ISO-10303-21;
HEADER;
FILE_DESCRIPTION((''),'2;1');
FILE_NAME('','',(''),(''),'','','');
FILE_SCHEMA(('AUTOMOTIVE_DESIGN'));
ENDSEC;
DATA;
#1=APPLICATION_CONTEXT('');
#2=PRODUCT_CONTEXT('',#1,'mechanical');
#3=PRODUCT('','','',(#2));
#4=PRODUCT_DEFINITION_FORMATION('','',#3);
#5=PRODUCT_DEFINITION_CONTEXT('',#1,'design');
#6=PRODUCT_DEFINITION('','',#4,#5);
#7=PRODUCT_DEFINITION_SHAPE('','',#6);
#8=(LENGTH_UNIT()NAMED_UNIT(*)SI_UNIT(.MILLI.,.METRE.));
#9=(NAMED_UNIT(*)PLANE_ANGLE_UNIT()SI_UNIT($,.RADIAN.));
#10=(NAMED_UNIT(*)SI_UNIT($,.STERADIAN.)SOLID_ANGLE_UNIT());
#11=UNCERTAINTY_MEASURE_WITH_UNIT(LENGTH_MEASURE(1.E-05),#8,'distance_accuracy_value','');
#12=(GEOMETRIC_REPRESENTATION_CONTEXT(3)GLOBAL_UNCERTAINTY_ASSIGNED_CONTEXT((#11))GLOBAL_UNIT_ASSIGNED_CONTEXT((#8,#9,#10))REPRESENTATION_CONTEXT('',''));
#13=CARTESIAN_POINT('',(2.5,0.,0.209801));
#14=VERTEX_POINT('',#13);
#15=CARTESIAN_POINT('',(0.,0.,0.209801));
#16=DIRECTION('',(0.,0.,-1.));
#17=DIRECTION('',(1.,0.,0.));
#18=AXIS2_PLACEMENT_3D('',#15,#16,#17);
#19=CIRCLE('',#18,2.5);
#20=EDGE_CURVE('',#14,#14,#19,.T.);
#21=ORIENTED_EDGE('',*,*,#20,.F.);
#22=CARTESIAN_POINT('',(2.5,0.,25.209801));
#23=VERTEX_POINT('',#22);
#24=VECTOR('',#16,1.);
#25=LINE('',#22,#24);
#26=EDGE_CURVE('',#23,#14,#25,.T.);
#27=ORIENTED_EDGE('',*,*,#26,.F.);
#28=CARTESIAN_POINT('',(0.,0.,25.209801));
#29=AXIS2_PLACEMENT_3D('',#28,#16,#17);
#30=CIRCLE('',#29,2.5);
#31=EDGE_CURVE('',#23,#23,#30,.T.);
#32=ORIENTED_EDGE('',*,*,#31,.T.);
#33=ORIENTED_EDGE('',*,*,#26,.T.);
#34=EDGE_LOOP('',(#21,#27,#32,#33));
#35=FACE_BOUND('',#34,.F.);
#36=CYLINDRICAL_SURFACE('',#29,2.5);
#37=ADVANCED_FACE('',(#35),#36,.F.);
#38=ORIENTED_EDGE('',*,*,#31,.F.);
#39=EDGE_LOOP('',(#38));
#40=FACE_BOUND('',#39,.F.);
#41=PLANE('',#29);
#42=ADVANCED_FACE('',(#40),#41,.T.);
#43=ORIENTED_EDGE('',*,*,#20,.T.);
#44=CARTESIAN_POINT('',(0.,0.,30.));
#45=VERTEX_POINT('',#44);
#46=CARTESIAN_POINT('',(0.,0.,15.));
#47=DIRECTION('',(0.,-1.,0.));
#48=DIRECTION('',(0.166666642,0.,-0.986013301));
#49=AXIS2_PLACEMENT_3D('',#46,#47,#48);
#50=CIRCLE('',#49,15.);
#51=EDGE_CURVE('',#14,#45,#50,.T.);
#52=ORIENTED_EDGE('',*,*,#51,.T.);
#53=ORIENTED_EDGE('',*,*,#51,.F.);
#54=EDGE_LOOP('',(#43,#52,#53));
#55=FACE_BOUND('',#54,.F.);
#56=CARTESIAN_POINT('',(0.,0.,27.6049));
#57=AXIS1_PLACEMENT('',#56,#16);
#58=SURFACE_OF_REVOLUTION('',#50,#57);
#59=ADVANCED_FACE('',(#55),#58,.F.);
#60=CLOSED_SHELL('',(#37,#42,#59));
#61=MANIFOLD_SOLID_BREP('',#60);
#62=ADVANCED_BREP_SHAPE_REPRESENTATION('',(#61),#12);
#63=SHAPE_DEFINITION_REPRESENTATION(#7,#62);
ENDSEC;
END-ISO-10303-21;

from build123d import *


with BuildPart() as f1:
    # F0 (on Front) → F1 (revolve)
    with BuildSketch(Plane.XZ):
        with BuildLine():
            Line((2.5, 25.209801), (2.5, 0.209801))
            ThreePointArc((2.5, 0.209801), (14.947458, 16.254394), (0, 30))
            Line((0, 30), (0, 25.209801))
            Line((0, 25.209801), (2.5, 25.209801))
        make_face()
    revolve(axis=Axis((0, 0, 27.6049), (0, 0, -1)))


solid = f1.part
